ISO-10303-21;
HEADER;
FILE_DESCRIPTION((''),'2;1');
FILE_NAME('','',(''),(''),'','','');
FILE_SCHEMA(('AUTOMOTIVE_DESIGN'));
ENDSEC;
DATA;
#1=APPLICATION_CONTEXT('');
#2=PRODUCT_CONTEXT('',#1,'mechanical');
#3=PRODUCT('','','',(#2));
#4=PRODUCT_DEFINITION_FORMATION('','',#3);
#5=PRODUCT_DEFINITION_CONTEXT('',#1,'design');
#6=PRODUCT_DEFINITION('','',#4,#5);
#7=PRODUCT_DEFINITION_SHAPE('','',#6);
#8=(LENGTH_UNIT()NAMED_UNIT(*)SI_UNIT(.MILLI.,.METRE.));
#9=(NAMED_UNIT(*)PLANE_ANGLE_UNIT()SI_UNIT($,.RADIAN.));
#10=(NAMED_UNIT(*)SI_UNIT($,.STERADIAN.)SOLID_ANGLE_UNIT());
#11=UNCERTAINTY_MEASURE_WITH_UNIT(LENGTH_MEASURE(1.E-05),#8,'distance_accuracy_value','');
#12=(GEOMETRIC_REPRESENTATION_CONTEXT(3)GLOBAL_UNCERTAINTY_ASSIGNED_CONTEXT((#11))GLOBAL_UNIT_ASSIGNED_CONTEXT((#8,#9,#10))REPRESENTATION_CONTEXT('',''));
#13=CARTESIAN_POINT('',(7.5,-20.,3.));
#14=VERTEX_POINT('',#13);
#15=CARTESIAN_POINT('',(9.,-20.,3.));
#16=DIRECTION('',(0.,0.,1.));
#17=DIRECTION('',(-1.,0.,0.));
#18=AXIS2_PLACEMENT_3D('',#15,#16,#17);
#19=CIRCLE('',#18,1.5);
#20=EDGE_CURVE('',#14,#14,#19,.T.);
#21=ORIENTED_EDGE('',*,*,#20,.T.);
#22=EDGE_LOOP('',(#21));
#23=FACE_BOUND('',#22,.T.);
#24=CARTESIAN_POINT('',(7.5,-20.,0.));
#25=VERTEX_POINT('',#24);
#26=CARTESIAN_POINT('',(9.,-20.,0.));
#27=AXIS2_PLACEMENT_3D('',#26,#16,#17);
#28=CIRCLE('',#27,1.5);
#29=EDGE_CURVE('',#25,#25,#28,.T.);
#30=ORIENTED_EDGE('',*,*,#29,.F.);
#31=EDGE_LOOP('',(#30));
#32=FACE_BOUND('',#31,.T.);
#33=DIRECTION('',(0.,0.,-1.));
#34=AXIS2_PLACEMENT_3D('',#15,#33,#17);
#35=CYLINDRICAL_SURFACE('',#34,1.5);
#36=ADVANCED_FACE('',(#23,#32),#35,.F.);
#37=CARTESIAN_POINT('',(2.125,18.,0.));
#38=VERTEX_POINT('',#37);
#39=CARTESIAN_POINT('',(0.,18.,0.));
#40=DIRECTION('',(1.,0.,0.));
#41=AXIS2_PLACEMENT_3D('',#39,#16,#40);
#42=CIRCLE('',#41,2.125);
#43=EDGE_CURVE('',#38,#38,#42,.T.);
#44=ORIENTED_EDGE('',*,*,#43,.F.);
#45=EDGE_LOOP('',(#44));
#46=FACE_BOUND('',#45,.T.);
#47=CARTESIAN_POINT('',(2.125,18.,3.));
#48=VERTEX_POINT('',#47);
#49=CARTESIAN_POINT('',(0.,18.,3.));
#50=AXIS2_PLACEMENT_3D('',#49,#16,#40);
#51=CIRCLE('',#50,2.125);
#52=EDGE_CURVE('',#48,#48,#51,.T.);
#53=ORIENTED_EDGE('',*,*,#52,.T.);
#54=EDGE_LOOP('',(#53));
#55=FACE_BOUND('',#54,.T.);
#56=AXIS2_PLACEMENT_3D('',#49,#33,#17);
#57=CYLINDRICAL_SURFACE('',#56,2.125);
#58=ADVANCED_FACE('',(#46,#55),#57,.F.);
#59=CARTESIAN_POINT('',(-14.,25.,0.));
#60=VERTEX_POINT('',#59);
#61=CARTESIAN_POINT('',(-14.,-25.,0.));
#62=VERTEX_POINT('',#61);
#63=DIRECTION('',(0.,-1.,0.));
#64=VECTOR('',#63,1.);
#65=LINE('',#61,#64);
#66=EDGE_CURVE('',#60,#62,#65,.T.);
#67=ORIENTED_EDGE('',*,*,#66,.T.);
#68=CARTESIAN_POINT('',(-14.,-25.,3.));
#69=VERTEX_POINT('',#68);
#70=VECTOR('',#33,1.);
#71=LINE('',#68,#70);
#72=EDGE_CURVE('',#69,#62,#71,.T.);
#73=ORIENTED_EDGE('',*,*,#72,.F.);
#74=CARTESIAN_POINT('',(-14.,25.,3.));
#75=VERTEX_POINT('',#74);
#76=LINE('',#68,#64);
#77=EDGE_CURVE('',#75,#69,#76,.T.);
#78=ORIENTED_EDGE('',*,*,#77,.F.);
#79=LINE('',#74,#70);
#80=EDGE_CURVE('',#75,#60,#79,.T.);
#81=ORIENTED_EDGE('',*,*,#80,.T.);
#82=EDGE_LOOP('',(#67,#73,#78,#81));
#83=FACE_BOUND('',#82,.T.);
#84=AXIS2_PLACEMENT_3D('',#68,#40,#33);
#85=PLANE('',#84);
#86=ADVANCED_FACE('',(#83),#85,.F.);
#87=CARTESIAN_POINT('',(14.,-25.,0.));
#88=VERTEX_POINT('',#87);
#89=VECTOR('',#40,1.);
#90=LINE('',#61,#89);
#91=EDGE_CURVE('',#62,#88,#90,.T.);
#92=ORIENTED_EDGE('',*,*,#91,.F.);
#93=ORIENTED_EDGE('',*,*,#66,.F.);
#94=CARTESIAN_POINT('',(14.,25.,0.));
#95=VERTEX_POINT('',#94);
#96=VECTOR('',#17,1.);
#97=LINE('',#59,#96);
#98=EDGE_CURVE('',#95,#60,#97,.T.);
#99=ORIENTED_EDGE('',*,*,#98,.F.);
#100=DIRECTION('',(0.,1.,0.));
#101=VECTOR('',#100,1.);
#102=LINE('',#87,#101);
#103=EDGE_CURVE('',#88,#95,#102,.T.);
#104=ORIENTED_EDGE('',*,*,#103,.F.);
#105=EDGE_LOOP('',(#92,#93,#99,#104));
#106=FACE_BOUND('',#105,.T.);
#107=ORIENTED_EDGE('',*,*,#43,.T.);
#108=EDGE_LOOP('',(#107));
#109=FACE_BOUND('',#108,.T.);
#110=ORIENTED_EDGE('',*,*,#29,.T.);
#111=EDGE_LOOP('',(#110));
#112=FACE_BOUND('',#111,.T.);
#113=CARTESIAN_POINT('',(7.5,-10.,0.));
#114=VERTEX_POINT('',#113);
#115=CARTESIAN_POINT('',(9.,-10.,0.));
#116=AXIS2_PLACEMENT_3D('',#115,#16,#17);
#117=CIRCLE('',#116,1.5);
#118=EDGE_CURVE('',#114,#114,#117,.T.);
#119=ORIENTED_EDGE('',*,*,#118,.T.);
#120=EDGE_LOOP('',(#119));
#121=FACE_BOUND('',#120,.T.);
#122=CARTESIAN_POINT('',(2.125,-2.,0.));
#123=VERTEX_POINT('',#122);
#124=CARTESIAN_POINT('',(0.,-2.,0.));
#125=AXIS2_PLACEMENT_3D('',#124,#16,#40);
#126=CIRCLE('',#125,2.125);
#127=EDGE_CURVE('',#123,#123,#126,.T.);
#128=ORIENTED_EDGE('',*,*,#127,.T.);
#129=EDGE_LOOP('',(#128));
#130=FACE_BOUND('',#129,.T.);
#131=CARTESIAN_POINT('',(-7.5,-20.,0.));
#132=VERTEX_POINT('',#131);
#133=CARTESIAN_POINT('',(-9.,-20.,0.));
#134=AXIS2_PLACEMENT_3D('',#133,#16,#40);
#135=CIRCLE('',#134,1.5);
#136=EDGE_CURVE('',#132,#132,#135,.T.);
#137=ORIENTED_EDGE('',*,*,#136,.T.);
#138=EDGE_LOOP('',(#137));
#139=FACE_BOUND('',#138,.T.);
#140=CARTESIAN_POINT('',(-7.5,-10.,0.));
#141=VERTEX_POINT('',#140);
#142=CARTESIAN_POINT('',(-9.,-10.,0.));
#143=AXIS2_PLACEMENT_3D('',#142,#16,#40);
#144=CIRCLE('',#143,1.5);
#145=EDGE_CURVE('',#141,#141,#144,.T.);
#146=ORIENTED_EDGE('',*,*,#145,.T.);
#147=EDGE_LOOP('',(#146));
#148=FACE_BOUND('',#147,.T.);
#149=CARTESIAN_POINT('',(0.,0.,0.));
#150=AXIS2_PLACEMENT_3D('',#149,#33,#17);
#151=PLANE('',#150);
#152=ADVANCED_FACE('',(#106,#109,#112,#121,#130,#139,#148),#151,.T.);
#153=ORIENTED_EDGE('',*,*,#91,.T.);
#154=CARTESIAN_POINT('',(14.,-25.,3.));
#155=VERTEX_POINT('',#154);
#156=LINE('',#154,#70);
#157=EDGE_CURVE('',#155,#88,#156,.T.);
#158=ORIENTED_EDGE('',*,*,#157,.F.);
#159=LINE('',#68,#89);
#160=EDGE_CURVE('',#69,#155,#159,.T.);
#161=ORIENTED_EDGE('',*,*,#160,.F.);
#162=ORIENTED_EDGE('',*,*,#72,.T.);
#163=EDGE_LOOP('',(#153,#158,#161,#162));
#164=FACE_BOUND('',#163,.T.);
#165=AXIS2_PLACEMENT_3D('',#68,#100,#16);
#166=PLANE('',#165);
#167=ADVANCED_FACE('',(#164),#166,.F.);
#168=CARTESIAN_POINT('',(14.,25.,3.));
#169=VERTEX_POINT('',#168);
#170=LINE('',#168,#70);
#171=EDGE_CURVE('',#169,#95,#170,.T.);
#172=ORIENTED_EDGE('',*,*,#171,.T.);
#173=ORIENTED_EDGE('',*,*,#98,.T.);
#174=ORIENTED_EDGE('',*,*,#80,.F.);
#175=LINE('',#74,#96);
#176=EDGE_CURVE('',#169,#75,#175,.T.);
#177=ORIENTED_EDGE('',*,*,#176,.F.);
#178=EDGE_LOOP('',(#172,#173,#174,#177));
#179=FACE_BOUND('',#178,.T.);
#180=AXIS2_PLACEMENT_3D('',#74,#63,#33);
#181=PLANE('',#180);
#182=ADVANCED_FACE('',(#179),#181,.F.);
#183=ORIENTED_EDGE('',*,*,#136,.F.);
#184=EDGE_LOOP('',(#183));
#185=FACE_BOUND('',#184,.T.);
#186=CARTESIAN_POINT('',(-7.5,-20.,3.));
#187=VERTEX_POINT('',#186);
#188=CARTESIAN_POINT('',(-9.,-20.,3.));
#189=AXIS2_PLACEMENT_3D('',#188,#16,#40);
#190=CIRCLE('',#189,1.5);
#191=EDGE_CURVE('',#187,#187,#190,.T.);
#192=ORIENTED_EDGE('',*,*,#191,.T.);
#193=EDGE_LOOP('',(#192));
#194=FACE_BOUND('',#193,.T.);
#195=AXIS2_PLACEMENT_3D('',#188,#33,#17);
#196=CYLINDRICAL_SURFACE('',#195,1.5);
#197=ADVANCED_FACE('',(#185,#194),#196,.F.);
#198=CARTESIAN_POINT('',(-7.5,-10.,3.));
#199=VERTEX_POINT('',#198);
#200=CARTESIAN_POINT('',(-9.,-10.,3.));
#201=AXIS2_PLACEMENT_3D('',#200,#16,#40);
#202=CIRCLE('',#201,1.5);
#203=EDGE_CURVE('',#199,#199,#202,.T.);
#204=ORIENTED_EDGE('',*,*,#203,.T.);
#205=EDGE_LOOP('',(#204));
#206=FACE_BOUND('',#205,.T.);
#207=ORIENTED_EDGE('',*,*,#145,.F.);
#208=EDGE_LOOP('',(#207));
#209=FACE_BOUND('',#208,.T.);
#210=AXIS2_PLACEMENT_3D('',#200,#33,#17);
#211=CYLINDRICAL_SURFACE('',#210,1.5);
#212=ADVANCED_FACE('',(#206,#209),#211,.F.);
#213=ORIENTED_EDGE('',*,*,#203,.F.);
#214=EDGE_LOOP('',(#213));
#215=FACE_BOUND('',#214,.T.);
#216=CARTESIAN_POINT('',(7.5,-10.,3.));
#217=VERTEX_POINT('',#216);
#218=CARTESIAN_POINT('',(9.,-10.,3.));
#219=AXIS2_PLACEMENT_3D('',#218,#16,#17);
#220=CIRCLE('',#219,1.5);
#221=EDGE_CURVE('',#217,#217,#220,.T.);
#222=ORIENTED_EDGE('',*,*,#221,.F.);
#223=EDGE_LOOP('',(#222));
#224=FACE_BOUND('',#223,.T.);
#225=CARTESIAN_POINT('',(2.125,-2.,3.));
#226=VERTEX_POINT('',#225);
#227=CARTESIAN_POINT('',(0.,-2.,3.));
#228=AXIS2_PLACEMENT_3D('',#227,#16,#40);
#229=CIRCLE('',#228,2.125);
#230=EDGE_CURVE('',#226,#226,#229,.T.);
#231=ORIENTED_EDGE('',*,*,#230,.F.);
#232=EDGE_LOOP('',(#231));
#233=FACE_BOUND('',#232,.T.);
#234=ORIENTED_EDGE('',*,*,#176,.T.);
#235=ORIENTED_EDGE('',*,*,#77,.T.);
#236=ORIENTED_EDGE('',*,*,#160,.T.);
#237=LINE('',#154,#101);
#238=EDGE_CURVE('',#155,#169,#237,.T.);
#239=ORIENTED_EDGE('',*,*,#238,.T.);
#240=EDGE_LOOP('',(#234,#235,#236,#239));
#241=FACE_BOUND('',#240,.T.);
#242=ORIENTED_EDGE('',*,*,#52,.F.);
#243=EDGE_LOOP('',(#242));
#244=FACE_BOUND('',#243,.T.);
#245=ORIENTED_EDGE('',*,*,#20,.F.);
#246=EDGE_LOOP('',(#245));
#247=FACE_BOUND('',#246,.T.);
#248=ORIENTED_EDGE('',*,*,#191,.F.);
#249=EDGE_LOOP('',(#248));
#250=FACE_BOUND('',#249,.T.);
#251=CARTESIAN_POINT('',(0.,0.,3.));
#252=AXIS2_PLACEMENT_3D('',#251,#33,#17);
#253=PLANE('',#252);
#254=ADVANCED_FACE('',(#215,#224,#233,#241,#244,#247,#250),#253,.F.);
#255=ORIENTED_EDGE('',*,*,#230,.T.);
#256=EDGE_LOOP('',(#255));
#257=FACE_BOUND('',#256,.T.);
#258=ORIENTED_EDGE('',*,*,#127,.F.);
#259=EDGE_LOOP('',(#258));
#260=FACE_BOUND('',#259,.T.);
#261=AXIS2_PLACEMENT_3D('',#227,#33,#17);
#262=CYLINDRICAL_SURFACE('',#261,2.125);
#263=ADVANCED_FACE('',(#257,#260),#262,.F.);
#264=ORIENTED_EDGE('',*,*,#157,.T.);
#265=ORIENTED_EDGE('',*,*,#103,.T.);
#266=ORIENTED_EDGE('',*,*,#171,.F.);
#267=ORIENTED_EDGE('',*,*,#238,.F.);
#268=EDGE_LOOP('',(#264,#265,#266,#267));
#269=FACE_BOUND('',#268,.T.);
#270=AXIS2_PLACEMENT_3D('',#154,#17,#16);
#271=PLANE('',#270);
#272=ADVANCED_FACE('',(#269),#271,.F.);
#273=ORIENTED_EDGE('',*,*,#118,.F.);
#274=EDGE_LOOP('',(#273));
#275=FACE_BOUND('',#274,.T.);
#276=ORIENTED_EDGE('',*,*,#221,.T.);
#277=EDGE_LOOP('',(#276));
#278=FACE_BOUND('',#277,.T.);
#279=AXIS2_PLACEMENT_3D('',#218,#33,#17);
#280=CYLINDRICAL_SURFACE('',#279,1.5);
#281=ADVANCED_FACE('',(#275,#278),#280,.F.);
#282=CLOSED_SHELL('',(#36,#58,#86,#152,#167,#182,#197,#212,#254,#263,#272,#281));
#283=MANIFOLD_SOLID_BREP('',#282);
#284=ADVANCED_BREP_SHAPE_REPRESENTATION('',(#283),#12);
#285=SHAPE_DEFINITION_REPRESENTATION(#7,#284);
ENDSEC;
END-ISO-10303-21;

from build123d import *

# Parameters (mm, degrees)
ESBO_O1_W                = 28
ESBO_O1_H                = 50
ESBO_O1_R                = 2.125
ESBO_O1_R_2              = 1.5
RESSALTO_EXTRUS_O1_DEPTH = 3


with BuildPart() as part:
    # Esboço1 → Ressalto-extrusão1 (new body)
    with BuildSketch(Plane.XY):
        Rectangle(ESBO_O1_W, ESBO_O1_H)
        with Locations((0, 18)):
            Circle(ESBO_O1_R, mode=Mode.SUBTRACT)
        with Locations((0, -2)):
            Circle(ESBO_O1_R, mode=Mode.SUBTRACT)
        with Locations((-9, -10)):
            Circle(ESBO_O1_R_2, mode=Mode.SUBTRACT)
        with Locations((-9, -20)):
            Circle(ESBO_O1_R_2, mode=Mode.SUBTRACT)
        with Locations((9, -20)):
            Circle(ESBO_O1_R_2, mode=Mode.SUBTRACT)
        with Locations((9, -10)):
            Circle(ESBO_O1_R_2, mode=Mode.SUBTRACT)
    extrude(amount=RESSALTO_EXTRUS_O1_DEPTH)


solid = part.part
